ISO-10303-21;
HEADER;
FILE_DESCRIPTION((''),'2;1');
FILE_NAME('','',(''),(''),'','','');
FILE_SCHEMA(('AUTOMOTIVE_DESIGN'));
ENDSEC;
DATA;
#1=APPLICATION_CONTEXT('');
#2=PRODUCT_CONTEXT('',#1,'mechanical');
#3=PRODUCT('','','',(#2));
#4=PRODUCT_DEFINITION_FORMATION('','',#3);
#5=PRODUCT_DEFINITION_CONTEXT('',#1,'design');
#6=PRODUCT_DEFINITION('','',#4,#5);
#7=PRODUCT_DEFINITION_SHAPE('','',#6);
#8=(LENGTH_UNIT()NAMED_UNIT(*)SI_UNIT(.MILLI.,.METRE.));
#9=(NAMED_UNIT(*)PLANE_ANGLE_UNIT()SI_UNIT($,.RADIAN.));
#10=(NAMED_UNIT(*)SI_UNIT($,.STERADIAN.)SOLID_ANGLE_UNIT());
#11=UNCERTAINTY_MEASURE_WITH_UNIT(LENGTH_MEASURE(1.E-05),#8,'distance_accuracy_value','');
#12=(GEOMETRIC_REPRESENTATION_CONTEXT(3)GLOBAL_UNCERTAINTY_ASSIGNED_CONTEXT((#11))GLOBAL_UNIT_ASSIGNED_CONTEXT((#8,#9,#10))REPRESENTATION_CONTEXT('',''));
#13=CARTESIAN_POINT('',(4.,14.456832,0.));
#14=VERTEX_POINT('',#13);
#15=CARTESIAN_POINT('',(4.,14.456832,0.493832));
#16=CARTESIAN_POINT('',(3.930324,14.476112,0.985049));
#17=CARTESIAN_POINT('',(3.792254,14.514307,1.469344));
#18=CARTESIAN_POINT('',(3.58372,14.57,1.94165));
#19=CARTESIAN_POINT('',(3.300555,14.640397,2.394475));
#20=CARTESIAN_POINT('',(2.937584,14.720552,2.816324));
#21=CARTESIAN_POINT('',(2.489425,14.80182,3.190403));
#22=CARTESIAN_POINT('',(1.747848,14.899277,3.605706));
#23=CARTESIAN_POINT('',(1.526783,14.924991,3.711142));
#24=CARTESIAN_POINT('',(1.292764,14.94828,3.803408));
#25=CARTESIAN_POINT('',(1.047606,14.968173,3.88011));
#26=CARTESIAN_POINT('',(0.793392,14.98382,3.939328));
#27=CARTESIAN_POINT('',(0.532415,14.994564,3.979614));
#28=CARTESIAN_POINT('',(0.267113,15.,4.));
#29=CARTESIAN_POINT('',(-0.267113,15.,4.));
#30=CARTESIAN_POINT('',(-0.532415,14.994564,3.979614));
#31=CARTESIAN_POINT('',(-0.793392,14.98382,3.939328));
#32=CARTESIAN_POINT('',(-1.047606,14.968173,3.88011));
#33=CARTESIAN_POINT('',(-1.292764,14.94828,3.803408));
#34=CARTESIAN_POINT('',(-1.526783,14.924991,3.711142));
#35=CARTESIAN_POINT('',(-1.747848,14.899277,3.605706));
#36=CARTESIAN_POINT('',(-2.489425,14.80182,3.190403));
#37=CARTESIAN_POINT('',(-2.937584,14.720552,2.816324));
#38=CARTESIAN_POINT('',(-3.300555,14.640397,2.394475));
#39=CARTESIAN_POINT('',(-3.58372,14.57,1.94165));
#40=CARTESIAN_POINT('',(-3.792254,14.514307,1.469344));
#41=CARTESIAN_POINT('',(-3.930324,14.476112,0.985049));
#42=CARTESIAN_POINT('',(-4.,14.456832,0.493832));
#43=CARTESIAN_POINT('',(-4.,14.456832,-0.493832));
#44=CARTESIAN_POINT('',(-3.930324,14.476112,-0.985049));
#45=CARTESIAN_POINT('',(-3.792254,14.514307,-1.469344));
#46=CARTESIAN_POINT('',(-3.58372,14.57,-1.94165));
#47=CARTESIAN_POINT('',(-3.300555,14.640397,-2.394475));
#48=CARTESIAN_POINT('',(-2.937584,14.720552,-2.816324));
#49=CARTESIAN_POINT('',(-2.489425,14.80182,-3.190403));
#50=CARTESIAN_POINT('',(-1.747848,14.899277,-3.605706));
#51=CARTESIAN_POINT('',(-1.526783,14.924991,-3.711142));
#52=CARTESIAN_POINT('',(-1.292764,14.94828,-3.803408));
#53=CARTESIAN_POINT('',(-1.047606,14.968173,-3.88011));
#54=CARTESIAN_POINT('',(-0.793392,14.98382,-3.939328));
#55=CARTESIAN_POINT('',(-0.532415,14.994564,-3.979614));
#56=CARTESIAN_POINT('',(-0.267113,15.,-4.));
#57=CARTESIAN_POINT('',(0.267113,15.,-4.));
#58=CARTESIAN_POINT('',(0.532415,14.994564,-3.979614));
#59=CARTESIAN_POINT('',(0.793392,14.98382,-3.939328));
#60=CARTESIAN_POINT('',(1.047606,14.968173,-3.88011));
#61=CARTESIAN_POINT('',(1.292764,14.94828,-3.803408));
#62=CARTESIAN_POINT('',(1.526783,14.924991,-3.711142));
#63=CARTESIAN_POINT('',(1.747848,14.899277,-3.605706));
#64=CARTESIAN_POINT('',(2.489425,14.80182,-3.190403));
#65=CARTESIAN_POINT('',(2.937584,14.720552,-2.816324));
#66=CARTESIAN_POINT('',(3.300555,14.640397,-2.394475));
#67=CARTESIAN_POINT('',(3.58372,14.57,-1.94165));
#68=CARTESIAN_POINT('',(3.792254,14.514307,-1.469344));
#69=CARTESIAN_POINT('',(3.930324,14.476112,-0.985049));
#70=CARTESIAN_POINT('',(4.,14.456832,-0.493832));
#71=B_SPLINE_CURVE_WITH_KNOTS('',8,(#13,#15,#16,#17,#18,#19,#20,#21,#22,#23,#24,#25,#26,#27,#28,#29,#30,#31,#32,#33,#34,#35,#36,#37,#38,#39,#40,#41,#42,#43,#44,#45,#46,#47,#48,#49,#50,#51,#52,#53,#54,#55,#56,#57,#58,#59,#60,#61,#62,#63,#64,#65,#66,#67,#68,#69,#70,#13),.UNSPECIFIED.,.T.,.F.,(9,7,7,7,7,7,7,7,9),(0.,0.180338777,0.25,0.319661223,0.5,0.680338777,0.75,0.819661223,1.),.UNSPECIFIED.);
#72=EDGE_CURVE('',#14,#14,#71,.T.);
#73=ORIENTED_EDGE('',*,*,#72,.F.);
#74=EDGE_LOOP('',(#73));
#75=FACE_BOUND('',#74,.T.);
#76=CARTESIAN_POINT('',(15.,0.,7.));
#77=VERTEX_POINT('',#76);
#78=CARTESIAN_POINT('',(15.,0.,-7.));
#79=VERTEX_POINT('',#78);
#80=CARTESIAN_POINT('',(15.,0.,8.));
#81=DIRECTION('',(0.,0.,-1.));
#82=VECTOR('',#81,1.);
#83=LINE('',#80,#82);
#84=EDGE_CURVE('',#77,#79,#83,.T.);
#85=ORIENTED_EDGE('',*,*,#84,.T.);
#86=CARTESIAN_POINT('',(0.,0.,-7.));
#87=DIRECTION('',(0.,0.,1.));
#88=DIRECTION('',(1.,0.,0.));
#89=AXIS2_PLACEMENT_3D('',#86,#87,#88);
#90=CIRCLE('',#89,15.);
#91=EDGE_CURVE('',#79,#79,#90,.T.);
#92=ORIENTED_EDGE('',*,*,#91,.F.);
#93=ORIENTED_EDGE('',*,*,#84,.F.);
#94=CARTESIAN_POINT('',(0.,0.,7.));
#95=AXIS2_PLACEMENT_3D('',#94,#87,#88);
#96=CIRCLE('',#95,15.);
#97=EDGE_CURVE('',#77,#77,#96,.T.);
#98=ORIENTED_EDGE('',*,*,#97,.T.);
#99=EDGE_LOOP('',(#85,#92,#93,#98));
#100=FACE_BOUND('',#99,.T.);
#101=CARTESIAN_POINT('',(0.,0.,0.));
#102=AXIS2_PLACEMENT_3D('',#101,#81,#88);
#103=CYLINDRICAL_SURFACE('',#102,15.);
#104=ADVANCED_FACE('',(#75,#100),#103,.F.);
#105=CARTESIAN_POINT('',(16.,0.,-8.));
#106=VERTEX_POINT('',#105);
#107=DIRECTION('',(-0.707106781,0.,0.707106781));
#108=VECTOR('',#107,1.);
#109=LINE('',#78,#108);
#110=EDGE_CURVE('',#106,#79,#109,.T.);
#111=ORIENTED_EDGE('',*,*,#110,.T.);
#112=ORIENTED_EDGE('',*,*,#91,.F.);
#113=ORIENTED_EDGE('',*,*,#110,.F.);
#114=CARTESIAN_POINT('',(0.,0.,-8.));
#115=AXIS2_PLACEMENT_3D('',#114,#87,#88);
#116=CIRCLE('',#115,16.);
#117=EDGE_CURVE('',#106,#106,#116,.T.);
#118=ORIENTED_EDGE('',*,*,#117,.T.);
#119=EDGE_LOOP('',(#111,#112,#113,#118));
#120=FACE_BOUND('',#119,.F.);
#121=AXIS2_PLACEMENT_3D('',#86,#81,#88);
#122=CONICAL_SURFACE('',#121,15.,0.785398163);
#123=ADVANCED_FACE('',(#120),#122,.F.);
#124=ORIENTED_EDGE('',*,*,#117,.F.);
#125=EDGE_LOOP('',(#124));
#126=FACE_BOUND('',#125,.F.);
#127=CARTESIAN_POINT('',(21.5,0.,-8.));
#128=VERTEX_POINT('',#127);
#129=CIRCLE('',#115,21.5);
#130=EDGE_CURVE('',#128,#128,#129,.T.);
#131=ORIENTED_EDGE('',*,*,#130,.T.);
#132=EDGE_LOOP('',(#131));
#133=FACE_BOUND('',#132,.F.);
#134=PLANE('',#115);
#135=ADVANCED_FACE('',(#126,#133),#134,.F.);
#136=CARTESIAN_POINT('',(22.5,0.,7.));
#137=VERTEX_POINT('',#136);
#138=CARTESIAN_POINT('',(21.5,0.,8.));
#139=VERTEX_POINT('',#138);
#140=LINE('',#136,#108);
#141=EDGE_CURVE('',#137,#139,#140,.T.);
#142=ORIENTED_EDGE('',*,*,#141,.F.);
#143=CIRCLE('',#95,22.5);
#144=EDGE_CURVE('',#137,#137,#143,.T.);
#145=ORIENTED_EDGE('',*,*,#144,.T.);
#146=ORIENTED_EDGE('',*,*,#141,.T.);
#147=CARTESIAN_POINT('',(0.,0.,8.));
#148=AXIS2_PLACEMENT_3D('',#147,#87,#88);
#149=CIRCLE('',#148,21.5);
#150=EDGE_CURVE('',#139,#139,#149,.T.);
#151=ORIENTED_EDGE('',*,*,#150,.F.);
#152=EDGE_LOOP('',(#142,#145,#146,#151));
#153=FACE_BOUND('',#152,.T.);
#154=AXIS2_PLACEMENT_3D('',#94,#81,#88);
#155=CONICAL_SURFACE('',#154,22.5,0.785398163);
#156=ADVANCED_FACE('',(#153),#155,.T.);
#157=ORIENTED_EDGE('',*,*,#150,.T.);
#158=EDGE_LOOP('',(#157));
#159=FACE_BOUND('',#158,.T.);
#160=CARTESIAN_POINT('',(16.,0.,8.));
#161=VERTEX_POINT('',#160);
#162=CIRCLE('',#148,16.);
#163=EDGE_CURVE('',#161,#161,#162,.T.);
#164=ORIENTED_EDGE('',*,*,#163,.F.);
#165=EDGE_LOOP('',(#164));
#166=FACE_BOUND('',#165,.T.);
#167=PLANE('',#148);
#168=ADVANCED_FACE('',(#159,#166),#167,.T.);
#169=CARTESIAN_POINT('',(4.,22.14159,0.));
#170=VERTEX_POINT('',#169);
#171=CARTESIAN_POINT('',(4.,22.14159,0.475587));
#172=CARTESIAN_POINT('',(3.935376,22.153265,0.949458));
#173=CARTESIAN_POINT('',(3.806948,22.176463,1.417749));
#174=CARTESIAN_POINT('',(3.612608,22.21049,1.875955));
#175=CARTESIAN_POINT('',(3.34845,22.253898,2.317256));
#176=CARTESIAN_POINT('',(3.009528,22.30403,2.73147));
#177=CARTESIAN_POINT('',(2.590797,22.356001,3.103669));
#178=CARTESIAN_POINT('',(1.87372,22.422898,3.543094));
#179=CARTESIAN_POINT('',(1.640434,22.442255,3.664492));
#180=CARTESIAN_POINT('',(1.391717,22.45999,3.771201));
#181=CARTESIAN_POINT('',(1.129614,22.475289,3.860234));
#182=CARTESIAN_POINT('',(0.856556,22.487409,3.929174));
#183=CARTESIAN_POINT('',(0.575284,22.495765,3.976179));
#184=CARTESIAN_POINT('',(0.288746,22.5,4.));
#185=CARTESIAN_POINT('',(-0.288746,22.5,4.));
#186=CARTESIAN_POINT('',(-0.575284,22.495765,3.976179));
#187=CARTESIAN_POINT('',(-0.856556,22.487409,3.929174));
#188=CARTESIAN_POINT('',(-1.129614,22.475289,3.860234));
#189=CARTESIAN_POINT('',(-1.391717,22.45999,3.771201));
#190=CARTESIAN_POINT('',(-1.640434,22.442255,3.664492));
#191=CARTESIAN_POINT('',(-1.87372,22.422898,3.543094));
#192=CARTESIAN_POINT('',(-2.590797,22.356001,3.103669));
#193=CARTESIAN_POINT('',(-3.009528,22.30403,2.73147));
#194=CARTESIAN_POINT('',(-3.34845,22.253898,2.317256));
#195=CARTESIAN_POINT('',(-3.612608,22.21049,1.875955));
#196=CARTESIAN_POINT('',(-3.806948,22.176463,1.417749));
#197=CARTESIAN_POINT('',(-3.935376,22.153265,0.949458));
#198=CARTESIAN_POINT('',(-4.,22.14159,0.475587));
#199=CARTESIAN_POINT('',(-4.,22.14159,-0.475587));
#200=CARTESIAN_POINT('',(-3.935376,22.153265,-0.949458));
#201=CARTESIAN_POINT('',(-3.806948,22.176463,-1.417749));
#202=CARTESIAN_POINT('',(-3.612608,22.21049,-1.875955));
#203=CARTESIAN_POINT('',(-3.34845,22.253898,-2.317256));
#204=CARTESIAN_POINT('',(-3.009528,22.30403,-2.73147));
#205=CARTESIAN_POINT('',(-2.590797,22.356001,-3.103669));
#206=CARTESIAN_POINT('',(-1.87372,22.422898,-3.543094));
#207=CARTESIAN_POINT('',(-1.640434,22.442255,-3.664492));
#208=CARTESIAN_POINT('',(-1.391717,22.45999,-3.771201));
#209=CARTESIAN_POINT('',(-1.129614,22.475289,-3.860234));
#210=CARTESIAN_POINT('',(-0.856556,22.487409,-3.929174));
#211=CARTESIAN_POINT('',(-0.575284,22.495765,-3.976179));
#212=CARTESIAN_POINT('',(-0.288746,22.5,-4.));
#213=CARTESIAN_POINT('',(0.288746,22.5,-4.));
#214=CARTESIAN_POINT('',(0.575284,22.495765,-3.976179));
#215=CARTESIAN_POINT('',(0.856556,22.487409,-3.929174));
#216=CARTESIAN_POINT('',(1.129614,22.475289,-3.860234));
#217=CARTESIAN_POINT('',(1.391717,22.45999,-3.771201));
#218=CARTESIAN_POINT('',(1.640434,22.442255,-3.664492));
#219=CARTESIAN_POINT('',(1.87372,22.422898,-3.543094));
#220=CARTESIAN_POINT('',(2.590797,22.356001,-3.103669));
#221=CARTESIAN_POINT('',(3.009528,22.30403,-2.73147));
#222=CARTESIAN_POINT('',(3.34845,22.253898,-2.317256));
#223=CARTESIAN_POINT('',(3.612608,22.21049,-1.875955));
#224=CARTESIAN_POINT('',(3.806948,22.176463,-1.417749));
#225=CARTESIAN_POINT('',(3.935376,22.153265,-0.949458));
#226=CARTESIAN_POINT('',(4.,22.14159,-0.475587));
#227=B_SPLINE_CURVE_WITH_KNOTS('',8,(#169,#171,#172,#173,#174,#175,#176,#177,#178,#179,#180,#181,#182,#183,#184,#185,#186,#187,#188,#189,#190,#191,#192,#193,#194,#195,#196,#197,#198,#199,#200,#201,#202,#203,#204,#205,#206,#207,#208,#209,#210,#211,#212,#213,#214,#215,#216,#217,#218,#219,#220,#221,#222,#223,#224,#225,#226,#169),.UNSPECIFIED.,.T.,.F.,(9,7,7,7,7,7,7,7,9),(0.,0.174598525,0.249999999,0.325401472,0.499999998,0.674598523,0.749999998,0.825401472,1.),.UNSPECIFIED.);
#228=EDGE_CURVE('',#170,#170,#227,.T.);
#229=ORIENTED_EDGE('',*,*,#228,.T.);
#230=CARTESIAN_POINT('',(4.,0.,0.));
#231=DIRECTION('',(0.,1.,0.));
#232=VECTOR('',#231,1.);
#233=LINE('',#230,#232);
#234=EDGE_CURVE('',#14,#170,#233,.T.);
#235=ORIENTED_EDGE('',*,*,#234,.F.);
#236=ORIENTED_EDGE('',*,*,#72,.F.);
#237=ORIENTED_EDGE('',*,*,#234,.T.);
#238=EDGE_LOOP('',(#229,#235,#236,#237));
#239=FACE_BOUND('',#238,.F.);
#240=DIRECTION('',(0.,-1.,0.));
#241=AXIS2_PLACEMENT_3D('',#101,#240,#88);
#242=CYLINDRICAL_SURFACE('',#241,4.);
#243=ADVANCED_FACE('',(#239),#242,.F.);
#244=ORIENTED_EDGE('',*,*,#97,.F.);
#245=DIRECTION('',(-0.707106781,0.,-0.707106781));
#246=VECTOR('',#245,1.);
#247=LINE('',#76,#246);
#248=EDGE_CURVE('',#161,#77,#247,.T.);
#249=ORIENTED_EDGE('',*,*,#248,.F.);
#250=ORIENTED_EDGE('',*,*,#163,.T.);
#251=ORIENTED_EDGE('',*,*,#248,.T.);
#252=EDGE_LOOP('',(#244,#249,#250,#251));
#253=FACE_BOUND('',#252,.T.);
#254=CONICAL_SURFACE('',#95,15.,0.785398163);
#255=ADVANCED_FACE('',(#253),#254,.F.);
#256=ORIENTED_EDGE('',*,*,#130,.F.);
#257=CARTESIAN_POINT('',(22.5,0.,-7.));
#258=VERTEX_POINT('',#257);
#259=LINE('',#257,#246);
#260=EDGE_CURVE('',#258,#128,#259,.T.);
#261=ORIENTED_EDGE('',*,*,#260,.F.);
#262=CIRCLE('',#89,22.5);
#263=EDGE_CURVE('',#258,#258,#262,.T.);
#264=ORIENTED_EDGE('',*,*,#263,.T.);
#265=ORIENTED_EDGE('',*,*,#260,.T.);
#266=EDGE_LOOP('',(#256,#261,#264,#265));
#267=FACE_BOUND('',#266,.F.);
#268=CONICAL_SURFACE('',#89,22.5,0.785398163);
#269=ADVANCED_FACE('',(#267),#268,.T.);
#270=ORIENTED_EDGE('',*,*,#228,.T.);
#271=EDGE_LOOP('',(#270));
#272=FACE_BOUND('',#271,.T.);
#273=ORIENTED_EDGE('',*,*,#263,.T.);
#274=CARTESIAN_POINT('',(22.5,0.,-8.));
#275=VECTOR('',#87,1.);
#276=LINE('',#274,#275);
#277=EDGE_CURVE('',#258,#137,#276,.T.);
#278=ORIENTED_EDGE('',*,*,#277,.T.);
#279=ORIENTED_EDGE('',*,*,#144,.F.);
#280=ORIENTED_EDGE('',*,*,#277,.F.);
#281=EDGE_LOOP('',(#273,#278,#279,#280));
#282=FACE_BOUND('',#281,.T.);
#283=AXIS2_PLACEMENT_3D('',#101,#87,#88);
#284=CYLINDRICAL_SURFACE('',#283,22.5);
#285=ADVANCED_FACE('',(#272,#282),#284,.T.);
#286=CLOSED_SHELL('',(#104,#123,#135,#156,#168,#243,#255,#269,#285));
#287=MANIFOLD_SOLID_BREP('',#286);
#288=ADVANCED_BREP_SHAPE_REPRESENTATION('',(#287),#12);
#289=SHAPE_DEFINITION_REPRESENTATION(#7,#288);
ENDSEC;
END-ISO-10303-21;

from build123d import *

# Parameters (mm, degrees)
SKETCH_R     = 22.5
SKETCH_R_2   = 15
PAD_DEPTH    = 8
SKETCH001_R  = 4
POCKET_DEPTH = 22.501
CHAMFER_SIZE = 1


with BuildPart() as part:
    # Sketch → Pad (new body, symmetric)
    with BuildSketch(Plane.XY):
        Circle(SKETCH_R)
        Circle(SKETCH_R_2, mode=Mode.SUBTRACT)
    extrude(amount=PAD_DEPTH, both=True)

    # Sketch001 → Pocket (cut, through all)
    with BuildSketch(Plane.XZ):
        Circle(SKETCH001_R)
    extrude(amount=-POCKET_DEPTH, mode=Mode.SUBTRACT)

    # Chamfer
    chamfer_edges = [part.edges().sort_by_distance(p)[0] for p in [
        (-15, 0, -8),
        (-22.5, 0, -8),
        (-15, 0, 8),
        (-22.5, 0, 8),
    ]]
    chamfer(chamfer_edges, length=CHAMFER_SIZE)


solid = part.part
